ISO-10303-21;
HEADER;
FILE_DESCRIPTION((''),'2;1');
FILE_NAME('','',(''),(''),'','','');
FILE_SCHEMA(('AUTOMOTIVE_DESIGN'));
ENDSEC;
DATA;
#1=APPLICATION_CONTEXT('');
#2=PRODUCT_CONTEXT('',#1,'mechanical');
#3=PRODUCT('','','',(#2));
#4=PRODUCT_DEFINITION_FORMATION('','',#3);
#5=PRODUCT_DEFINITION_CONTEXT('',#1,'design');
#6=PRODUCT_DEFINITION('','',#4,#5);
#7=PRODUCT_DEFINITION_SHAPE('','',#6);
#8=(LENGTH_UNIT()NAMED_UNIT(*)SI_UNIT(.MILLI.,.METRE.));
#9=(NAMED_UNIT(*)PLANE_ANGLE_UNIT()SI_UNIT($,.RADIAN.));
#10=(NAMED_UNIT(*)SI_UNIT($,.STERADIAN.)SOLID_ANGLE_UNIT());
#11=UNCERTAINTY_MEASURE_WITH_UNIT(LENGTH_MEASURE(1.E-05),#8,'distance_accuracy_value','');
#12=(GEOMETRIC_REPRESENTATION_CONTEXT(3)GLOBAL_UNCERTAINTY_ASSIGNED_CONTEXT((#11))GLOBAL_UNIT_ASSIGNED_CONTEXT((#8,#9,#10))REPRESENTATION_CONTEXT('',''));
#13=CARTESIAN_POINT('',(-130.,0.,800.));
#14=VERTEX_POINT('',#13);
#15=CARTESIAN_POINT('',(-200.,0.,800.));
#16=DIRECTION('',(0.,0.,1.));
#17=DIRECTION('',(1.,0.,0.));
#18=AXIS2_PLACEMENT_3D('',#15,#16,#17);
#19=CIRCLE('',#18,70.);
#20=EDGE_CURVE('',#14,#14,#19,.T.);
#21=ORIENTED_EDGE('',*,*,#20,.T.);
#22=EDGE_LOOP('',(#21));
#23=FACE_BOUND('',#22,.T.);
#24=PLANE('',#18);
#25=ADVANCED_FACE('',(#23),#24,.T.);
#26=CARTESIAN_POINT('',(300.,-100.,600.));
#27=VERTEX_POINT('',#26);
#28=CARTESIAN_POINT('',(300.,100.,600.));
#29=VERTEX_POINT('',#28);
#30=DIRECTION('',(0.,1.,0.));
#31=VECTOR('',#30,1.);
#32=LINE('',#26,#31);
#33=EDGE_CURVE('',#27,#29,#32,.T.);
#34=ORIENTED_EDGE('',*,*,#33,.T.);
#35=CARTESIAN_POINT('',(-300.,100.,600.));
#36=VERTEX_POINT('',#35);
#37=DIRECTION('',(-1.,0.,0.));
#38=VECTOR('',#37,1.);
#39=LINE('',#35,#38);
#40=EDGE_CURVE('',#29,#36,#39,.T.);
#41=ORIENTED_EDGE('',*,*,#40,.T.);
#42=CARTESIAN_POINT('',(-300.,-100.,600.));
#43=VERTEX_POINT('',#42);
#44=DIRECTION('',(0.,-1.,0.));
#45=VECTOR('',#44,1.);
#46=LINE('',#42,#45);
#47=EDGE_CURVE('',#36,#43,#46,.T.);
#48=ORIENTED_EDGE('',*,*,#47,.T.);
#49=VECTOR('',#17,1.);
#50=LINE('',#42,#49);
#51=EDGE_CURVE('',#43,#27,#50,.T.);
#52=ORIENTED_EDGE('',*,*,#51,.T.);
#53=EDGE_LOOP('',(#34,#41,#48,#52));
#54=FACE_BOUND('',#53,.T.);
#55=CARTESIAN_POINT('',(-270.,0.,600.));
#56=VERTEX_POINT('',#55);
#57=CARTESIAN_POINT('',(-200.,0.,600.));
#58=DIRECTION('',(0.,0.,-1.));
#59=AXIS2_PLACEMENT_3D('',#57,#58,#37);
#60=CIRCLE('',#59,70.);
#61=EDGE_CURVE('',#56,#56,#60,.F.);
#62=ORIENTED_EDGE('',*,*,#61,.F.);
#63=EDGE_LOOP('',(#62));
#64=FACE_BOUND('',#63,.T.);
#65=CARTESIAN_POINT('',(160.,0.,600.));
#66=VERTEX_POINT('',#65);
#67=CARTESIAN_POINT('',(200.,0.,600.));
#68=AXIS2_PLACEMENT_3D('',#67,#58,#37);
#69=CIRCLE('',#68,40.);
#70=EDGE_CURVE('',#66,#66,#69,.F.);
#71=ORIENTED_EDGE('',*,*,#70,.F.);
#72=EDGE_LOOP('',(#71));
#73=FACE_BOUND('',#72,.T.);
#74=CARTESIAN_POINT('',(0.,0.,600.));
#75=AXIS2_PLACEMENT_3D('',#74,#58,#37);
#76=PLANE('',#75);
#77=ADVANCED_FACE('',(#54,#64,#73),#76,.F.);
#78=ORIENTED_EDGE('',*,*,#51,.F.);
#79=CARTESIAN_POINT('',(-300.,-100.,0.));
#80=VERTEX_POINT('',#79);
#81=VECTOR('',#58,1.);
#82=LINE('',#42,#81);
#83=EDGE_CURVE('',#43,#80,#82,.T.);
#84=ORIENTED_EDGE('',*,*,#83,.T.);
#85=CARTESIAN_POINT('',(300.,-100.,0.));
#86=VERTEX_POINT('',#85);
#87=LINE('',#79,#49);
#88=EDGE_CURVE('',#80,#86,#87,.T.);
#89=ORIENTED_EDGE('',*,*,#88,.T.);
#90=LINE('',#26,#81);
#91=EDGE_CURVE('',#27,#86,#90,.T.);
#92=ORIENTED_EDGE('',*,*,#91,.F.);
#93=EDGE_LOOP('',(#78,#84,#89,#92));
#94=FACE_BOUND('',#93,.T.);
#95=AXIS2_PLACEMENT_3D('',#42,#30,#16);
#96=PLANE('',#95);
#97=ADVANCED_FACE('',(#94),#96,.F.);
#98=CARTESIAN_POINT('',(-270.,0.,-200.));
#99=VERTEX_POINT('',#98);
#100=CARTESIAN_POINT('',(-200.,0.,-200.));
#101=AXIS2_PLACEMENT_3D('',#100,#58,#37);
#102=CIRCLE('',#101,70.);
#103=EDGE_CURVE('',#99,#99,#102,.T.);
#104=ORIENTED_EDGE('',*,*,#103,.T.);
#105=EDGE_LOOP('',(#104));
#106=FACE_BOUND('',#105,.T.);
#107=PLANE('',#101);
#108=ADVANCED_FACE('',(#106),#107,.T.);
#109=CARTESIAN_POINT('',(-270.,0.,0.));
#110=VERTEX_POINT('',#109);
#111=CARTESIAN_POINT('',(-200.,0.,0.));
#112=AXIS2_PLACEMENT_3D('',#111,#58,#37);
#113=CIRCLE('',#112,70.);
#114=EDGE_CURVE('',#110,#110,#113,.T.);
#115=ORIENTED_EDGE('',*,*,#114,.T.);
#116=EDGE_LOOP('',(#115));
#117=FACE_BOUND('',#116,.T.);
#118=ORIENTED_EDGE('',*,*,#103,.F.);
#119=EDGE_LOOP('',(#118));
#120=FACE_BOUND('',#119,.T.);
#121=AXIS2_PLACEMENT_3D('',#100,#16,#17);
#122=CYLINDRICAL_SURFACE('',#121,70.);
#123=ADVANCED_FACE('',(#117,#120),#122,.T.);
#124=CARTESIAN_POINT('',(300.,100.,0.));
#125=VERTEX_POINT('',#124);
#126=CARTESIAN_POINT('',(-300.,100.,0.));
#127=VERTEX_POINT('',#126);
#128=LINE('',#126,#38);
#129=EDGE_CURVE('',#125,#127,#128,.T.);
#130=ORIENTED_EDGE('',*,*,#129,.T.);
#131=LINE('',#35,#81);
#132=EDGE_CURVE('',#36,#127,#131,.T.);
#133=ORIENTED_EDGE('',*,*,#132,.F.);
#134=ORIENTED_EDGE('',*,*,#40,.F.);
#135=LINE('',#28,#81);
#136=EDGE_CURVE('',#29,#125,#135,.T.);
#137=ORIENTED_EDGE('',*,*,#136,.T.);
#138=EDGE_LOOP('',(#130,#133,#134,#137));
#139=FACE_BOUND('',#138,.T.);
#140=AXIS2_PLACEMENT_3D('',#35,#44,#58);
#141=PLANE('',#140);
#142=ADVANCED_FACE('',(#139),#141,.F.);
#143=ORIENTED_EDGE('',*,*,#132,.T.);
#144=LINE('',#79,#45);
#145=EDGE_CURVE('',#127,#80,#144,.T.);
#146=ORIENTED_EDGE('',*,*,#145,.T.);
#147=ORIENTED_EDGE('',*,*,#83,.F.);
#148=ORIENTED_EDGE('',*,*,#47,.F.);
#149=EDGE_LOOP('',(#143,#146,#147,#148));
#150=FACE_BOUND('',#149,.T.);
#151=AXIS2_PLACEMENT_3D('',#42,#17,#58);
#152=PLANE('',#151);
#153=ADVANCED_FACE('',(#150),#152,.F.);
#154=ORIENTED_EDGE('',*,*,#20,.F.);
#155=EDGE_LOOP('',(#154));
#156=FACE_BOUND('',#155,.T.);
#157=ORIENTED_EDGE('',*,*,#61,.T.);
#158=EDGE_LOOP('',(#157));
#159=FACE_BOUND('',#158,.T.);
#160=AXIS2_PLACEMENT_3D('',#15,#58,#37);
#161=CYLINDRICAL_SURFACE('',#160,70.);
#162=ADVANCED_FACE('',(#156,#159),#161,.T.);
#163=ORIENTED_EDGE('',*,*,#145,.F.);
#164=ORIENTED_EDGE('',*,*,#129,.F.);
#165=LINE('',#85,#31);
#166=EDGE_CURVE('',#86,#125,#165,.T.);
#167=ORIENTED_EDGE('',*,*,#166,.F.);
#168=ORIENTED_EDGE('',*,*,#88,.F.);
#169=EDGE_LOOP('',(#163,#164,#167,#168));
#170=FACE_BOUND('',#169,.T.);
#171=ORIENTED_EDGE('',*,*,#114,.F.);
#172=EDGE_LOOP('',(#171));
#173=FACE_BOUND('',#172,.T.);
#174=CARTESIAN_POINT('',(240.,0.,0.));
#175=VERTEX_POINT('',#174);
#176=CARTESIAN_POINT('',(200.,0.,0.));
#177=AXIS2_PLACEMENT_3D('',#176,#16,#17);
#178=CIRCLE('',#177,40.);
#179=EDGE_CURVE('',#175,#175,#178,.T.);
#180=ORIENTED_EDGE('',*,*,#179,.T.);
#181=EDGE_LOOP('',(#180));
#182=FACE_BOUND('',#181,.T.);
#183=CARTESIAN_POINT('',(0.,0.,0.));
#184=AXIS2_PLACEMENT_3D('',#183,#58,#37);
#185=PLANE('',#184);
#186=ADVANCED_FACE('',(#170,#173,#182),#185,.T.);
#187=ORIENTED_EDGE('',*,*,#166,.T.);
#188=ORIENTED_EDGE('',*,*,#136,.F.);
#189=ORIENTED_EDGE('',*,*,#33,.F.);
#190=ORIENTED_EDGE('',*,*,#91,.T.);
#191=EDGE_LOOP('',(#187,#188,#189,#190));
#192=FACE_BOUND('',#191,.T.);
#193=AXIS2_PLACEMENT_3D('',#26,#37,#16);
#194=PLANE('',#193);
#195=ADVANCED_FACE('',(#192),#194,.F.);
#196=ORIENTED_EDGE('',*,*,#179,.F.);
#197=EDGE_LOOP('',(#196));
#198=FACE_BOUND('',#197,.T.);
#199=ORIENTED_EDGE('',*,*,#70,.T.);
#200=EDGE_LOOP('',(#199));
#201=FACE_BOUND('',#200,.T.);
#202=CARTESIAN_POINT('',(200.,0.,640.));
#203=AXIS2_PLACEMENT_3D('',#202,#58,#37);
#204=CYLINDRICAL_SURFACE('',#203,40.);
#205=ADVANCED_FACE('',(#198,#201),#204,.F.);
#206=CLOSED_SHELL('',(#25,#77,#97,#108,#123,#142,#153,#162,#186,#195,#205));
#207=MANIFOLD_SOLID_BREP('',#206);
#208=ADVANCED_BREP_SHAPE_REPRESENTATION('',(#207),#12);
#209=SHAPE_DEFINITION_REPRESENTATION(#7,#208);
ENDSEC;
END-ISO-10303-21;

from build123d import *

# Parameters (mm, degrees)
SKETCH1_W               = 600
SKETCH1_H               = 200
BOSS_EXTRUDE1_DEPTH     = 600
CUT_EXTRUDE1_DEPTH      = 40
CUT_EXTRUDE1_DEPTH_BACK = 600
SKETCH2_R               = 40
SKETCH3_R               = 70
BOSS_EXTRUDE2_DEPTH     = 200
BOSS_EXTRUDE3_START     = 200
SKETCH4_R               = 70
BOSS_EXTRUDE3_DEPTH     = 200


with BuildPart() as part:
    # Sketch1 → Boss-Extrude1 (new body)
    with BuildSketch(Plane.XY):
        Rectangle(SKETCH1_W, SKETCH1_H)
    extrude(amount=BOSS_EXTRUDE1_DEPTH)

    # Sketch2 → Cut-Extrude1 (cut, two sides: drawn at the far end of the back side and taken through both)
    with BuildSketch(Plane.XY.offset(600).offset(-CUT_EXTRUDE1_DEPTH_BACK)):
        with Locations(Location((200, 0, 0), (0, 0, 180))):
            Circle(SKETCH2_R)
    extrude(amount=CUT_EXTRUDE1_DEPTH + CUT_EXTRUDE1_DEPTH_BACK, mode=Mode.SUBTRACT)

    # Sketch3 → Boss-Extrude2 (add)
    with BuildSketch(Plane.XY.offset(600)):
        with Locations(Location((-200, 0, 0), (0, 0, 180))):
            Circle(SKETCH3_R)
    extrude(amount=BOSS_EXTRUDE2_DEPTH)

    # Sketch4 → Boss-Extrude3 (add)
    with BuildSketch(Plane(origin=(0, 0, 0), x_dir=(-1, 0, 0), z_dir=(0, 0, -1)).offset(BOSS_EXTRUDE3_START)):
        with Locations((200, 0)):
            Circle(SKETCH4_R)
    extrude(amount=-BOSS_EXTRUDE3_DEPTH)


solid = part.part
